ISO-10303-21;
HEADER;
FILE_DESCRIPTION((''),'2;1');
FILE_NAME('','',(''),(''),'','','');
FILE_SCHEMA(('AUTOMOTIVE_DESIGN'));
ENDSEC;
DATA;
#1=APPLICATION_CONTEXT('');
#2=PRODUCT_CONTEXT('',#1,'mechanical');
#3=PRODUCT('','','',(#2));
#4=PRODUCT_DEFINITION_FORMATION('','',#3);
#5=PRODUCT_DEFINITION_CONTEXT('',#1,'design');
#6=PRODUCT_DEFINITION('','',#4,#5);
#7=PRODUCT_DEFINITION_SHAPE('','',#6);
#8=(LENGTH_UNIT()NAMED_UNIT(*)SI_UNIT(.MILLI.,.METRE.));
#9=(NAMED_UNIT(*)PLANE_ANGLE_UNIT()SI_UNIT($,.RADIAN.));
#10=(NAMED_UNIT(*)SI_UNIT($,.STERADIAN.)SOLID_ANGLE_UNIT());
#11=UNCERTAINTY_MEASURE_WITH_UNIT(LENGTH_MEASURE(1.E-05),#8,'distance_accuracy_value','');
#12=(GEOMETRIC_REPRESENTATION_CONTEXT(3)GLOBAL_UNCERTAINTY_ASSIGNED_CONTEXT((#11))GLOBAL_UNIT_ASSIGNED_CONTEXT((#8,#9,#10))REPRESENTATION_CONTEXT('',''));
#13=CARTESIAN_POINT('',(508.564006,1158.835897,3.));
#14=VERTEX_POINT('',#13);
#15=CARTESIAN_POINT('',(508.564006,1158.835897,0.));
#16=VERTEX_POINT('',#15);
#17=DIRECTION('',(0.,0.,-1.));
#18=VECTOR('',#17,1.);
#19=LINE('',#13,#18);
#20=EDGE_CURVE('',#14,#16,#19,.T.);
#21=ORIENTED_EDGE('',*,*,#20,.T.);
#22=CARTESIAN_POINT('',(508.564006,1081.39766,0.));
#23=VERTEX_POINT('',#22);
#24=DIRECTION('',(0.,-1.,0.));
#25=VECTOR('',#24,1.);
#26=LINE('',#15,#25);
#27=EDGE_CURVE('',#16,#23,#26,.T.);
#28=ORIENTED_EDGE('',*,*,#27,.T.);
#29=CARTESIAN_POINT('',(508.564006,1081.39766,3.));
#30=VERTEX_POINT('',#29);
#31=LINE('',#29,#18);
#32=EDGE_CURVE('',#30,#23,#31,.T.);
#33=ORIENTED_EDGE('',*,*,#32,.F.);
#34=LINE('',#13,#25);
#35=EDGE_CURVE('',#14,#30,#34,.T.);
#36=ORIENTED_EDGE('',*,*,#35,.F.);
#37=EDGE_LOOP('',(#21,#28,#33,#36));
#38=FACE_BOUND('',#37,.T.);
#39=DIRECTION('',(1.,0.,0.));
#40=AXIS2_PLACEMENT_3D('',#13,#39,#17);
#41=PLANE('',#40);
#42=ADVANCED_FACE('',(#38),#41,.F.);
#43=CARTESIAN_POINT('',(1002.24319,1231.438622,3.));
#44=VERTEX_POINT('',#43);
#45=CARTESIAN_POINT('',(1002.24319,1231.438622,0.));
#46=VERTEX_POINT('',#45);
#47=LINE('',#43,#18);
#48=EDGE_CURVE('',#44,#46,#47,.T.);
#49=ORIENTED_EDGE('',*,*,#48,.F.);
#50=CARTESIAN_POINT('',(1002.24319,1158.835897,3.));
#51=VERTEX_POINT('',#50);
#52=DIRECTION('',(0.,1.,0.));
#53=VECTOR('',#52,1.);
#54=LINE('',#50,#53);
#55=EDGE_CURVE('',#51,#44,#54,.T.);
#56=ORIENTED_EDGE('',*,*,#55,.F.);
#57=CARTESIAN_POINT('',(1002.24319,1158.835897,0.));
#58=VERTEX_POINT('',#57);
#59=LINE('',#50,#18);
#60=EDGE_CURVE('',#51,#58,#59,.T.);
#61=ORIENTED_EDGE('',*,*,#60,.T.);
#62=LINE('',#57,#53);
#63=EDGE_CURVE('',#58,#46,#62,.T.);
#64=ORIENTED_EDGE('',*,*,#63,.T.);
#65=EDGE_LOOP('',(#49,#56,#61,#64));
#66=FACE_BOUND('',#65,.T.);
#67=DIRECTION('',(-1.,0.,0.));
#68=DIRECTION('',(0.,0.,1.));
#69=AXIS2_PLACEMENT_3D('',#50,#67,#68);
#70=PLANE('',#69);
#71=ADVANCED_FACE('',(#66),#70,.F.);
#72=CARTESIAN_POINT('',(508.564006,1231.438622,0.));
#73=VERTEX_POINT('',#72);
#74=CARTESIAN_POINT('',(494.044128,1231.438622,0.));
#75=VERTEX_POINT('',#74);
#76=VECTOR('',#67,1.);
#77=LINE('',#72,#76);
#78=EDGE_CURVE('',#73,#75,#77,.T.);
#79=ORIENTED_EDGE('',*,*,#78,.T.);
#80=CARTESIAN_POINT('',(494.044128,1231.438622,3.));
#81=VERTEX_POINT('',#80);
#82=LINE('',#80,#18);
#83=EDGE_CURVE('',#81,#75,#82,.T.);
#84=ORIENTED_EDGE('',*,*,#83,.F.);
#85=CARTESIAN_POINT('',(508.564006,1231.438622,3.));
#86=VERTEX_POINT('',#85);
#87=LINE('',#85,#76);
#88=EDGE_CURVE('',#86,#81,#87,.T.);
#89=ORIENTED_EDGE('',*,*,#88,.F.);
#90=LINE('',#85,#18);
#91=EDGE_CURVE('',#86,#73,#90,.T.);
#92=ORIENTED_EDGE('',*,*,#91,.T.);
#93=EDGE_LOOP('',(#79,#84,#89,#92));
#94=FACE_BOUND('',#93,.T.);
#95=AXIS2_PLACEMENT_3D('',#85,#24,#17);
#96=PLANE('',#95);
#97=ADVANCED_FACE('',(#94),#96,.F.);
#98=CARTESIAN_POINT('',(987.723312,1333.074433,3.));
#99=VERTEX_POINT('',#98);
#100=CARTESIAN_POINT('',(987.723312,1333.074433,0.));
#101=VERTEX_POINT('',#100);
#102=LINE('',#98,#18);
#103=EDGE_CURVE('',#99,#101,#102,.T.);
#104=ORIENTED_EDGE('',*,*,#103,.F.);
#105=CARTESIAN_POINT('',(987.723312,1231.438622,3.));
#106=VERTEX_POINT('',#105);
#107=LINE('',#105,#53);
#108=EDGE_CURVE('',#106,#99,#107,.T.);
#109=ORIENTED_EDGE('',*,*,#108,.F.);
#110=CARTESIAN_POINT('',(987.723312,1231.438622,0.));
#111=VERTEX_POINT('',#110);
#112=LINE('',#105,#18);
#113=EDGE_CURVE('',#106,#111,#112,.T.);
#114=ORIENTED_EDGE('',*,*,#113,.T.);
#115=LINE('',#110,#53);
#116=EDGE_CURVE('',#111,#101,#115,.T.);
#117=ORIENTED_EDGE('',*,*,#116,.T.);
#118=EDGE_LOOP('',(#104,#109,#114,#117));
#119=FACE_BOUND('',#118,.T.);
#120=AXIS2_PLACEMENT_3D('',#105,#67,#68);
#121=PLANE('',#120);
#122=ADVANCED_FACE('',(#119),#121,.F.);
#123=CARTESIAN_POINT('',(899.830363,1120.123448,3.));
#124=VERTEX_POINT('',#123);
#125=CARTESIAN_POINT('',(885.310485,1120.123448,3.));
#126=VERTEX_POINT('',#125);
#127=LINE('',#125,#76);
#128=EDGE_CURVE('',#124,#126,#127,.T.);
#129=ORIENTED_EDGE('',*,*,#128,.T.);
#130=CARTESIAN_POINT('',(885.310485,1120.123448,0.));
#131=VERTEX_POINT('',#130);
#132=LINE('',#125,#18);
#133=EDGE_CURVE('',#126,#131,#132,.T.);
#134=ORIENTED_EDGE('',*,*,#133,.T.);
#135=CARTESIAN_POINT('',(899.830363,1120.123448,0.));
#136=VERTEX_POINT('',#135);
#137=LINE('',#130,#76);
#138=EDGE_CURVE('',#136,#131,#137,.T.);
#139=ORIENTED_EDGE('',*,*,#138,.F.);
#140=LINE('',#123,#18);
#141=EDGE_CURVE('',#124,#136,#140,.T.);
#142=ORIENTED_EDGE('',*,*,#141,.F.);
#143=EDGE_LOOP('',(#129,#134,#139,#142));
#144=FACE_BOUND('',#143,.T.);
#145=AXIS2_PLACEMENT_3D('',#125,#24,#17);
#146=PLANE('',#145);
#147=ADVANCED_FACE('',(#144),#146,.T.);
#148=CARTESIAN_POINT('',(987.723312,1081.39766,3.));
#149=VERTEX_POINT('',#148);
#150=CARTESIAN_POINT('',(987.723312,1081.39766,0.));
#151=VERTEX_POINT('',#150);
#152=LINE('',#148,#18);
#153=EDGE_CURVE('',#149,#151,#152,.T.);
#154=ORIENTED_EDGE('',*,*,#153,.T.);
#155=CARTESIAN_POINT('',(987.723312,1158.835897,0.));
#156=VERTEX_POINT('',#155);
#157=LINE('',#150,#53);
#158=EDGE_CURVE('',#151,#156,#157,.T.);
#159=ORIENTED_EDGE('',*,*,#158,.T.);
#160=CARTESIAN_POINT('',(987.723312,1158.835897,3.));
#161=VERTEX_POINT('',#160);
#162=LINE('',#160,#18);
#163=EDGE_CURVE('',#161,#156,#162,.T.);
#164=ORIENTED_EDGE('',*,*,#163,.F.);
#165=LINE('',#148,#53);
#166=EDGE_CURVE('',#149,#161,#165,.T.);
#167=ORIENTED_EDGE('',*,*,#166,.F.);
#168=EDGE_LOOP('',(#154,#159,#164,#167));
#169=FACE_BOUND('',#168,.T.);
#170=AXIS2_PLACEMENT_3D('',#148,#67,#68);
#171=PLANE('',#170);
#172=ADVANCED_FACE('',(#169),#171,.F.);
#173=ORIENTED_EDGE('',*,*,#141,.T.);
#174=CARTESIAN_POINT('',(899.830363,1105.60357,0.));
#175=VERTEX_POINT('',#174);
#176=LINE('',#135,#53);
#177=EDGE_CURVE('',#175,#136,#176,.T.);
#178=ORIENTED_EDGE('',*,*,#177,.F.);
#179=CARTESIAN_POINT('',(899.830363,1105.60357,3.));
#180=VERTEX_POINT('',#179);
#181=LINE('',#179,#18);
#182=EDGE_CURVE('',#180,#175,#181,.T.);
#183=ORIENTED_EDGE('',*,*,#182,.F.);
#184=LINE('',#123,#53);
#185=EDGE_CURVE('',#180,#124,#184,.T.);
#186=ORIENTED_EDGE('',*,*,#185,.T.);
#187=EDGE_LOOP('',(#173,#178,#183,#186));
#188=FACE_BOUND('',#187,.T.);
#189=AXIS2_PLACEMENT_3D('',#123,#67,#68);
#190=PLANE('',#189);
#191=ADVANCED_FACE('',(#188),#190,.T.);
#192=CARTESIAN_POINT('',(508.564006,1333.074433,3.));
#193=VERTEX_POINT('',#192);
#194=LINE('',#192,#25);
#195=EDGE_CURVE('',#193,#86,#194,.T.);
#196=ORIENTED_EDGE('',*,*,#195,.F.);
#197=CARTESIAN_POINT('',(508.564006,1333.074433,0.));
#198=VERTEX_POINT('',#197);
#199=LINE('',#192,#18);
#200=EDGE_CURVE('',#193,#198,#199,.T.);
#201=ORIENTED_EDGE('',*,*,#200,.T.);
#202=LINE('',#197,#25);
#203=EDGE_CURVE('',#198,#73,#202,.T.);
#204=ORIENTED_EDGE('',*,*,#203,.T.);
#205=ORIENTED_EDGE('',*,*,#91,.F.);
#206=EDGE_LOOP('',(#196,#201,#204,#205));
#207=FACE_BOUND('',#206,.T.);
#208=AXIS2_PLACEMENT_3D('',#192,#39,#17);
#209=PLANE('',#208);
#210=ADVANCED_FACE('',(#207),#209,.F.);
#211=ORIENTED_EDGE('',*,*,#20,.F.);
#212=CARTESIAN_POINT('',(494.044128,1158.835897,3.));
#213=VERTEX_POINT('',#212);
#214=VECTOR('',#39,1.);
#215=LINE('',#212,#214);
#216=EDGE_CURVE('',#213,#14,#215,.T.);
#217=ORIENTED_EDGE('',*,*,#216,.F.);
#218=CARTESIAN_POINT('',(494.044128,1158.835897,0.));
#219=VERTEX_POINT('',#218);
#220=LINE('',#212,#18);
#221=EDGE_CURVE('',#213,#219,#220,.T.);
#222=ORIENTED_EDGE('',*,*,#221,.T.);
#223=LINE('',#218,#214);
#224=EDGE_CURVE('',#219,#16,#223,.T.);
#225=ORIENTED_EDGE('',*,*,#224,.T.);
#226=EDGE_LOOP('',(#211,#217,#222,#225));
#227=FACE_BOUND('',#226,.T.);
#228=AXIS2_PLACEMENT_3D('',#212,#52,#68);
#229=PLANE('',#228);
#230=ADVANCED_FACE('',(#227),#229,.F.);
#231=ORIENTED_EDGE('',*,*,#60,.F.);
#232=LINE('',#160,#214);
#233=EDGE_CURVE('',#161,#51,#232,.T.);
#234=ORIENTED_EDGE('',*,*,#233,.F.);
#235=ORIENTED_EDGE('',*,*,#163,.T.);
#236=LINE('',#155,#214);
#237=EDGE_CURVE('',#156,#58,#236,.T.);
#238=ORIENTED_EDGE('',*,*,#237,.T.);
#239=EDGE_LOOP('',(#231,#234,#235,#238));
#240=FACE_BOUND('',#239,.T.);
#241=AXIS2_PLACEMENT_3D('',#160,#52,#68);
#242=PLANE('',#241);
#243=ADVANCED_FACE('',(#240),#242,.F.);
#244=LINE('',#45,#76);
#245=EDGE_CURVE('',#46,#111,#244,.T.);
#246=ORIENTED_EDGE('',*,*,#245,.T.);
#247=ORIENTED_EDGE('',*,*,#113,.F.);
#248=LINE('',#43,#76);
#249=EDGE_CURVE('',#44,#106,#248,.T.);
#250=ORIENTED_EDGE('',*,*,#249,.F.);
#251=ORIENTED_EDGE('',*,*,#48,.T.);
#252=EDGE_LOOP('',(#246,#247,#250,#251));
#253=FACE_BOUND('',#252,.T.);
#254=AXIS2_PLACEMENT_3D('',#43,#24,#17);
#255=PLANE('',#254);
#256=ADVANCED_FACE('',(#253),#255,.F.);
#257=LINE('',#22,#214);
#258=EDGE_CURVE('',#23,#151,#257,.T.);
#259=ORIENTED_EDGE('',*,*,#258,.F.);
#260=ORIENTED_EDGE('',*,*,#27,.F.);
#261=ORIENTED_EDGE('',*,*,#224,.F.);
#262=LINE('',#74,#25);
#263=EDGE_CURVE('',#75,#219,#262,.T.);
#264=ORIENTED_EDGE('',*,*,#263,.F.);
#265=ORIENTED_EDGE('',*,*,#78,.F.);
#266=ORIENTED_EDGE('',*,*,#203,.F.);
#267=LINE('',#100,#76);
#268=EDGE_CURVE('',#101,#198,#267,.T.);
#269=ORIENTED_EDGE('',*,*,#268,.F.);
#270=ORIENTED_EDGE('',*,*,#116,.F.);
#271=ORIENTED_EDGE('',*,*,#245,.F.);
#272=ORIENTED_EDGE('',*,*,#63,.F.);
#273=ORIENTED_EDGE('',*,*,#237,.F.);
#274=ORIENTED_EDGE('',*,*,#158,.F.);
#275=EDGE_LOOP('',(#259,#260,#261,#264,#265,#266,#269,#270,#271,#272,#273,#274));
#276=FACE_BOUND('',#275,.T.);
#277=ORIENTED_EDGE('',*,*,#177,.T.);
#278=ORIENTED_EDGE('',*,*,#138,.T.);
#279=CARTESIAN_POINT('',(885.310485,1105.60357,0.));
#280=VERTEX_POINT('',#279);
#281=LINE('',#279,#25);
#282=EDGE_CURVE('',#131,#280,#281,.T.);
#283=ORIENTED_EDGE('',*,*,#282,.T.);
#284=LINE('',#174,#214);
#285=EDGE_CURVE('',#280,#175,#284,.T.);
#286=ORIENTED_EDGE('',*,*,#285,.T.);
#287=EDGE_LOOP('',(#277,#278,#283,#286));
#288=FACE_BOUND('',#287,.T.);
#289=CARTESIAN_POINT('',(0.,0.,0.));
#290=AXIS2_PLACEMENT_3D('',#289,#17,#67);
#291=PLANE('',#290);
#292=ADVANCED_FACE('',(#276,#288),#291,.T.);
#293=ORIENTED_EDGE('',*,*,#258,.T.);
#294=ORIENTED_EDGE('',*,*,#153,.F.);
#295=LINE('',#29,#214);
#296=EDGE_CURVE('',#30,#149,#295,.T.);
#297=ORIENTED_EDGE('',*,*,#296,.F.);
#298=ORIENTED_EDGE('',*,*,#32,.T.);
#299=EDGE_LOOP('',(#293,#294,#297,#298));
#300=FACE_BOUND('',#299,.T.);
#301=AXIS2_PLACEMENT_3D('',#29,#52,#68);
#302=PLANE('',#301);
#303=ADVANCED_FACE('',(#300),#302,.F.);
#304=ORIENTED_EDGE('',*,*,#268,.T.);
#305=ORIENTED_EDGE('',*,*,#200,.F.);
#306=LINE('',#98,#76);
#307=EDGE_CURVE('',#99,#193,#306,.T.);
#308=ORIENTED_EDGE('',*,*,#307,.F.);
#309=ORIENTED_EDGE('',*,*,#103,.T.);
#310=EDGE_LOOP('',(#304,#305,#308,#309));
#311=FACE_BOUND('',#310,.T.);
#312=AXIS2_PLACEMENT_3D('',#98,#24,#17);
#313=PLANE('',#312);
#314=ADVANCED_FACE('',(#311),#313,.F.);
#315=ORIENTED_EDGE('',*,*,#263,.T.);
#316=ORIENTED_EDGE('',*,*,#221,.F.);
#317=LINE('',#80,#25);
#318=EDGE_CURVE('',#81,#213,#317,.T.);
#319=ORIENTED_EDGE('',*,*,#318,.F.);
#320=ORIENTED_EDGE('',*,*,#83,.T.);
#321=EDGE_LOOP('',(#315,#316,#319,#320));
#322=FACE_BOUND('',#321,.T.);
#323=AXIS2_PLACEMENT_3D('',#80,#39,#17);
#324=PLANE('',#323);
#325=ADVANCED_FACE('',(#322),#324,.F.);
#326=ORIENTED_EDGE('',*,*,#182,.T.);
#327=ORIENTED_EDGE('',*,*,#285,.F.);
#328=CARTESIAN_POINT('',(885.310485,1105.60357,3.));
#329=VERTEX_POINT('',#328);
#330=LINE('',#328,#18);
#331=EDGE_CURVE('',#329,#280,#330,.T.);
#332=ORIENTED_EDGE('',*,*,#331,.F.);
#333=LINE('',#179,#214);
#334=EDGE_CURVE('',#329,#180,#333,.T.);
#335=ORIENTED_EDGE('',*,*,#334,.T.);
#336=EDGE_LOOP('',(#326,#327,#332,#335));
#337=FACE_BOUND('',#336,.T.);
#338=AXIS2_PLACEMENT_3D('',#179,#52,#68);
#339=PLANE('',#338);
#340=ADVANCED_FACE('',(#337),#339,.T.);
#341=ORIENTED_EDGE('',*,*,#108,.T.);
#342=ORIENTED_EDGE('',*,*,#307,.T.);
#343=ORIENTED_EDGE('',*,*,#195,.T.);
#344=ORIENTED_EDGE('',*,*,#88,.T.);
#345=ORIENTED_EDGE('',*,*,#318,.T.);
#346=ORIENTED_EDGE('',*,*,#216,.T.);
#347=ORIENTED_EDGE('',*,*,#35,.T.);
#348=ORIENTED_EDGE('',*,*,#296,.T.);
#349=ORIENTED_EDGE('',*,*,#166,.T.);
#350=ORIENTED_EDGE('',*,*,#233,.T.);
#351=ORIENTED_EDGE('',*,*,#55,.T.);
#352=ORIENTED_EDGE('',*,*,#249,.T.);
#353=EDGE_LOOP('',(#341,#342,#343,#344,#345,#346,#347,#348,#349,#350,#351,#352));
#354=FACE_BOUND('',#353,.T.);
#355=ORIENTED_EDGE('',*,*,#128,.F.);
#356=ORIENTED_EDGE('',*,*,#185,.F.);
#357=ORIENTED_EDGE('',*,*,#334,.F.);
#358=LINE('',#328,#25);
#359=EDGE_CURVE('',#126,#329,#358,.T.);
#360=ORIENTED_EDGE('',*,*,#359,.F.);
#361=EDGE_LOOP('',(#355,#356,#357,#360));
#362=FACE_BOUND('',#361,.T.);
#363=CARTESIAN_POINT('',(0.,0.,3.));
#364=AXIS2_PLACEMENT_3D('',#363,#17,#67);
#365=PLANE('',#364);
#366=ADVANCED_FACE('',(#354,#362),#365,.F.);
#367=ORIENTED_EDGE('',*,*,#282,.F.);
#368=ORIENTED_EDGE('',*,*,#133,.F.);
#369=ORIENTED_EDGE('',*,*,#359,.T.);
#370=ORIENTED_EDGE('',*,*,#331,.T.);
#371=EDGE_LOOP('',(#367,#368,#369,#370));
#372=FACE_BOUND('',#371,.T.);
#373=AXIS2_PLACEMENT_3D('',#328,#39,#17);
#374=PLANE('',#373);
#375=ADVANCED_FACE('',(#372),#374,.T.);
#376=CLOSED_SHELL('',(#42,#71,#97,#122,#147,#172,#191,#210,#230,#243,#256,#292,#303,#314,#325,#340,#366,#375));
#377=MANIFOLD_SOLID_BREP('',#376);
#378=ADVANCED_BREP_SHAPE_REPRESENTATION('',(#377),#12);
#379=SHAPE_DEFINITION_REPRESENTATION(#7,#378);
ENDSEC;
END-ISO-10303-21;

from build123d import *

# Parameters (mm, degrees)
SKETCH1_W           = 14.51987794
SKETCH1_H           = 14.519877941
BOSS_EXTRUDE1_DEPTH = 3


with BuildPart() as part:
    # Sketch1 → Boss-Extrude1 (new body)
    with BuildSketch(Plane.XY):
        Polygon((987.723312498, 1158.835897417), (1002.243190438, 1158.835897417), (1002.243190438, 1231.438621954), (987.723312498, 1231.438621954), (987.723312498, 1333.074432697), (508.564005642, 1333.074432697), (508.564005642, 1231.438621954), (494.044127702, 1231.438621954), (494.044127702, 1158.835897417), (508.564005642, 1158.835897417), (508.564005642, 1081.397660016), (987.723312498, 1081.397660016), align=None)
        with Locations((892.57042383, 1112.86350942)):
            Rectangle(SKETCH1_W, SKETCH1_H, mode=Mode.SUBTRACT)
    extrude(amount=BOSS_EXTRUDE1_DEPTH)


solid = part.part
